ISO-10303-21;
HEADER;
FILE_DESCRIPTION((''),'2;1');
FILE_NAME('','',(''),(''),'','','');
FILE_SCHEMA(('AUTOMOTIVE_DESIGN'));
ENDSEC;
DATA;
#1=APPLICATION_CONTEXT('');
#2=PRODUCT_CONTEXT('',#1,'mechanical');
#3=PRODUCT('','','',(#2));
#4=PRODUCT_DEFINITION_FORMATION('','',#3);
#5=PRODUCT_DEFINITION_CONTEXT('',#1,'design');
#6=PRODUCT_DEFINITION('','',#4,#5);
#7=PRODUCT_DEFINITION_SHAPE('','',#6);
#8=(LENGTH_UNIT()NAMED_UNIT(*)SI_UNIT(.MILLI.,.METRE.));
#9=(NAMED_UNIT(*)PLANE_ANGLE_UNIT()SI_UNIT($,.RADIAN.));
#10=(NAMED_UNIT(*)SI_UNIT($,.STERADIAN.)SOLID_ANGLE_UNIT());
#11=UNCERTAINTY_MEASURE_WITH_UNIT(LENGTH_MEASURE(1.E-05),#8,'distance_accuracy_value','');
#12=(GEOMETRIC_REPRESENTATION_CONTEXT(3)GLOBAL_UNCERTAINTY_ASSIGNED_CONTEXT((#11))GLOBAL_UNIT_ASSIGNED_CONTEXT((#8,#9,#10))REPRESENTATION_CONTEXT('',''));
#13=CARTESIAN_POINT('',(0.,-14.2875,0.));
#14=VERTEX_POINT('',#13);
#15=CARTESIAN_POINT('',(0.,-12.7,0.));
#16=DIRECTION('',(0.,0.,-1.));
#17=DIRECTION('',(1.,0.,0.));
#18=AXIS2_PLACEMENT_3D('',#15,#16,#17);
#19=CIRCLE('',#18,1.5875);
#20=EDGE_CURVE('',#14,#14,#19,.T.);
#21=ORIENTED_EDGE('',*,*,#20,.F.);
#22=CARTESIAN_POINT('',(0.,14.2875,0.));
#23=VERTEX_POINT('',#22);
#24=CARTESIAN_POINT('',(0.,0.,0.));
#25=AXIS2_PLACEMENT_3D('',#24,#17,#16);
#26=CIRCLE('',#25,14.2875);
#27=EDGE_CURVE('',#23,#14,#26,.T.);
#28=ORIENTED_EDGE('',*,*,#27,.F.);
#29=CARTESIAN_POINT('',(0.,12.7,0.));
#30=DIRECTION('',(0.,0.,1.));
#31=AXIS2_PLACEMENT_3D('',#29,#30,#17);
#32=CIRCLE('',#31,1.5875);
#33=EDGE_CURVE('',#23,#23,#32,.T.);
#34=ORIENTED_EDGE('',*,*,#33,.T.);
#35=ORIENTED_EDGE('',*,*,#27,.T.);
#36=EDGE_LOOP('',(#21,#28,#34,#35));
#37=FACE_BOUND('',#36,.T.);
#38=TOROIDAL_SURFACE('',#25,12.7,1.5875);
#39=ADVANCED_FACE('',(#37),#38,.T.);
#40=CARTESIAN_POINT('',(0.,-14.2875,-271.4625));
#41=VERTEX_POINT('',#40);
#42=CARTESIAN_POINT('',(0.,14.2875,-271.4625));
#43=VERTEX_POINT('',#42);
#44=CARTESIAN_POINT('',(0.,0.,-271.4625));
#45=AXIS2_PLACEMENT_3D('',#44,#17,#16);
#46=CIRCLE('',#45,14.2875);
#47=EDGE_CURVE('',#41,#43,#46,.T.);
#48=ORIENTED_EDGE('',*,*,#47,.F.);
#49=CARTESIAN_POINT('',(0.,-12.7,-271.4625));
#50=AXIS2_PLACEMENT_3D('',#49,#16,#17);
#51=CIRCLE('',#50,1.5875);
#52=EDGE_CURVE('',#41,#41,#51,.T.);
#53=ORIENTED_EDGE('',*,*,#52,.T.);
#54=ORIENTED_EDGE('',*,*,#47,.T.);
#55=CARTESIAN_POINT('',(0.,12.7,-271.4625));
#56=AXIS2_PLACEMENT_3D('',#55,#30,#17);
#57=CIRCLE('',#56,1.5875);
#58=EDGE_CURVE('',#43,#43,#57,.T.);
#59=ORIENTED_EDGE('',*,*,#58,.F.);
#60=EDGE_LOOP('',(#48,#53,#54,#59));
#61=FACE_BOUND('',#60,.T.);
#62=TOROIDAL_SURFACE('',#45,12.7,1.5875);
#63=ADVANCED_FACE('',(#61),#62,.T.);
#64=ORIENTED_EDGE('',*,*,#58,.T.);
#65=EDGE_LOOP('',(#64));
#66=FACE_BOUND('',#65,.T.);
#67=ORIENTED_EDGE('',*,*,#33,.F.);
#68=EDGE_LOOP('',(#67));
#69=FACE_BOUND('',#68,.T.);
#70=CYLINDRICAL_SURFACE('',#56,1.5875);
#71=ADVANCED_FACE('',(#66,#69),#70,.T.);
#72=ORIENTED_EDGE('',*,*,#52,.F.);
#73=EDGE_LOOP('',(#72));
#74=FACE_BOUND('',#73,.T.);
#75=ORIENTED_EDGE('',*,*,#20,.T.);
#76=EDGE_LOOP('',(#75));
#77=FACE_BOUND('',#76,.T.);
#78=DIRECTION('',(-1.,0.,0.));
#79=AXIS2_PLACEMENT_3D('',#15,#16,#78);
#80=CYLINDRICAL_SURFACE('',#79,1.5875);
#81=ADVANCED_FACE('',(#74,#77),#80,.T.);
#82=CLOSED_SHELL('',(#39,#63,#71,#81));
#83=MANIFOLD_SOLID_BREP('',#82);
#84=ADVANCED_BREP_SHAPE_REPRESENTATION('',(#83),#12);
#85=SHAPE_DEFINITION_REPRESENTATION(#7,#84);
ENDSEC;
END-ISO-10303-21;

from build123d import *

# Parameters (mm, degrees)
SKETCH2_R = 1.5875


with BuildPart() as part:
    # Sweep1: sweep along a path in Sketch1
    with BuildLine(Plane(origin=(0, 0, 0), x_dir=(0, 0, -1), z_dir=(1, 0, 0))) as sweep1_path:
        Line((0, 12.7), (271.4625, 12.7))
        ThreePointArc((271.4625, 12.7), (284.1625, 0), (271.4625, -12.7))
        Line((271.4625, -12.7), (0, -12.7))
        ThreePointArc((0, -12.7), (-12.7, 0), (0, 12.7))
    # Sketch2 → Sweep1 (sweep)
    with BuildSketch(Plane.XY):
        with Locations((0, 12.7)):
            Circle(SKETCH2_R)
    sweep(path=sweep1_path.line)


solid = part.part
